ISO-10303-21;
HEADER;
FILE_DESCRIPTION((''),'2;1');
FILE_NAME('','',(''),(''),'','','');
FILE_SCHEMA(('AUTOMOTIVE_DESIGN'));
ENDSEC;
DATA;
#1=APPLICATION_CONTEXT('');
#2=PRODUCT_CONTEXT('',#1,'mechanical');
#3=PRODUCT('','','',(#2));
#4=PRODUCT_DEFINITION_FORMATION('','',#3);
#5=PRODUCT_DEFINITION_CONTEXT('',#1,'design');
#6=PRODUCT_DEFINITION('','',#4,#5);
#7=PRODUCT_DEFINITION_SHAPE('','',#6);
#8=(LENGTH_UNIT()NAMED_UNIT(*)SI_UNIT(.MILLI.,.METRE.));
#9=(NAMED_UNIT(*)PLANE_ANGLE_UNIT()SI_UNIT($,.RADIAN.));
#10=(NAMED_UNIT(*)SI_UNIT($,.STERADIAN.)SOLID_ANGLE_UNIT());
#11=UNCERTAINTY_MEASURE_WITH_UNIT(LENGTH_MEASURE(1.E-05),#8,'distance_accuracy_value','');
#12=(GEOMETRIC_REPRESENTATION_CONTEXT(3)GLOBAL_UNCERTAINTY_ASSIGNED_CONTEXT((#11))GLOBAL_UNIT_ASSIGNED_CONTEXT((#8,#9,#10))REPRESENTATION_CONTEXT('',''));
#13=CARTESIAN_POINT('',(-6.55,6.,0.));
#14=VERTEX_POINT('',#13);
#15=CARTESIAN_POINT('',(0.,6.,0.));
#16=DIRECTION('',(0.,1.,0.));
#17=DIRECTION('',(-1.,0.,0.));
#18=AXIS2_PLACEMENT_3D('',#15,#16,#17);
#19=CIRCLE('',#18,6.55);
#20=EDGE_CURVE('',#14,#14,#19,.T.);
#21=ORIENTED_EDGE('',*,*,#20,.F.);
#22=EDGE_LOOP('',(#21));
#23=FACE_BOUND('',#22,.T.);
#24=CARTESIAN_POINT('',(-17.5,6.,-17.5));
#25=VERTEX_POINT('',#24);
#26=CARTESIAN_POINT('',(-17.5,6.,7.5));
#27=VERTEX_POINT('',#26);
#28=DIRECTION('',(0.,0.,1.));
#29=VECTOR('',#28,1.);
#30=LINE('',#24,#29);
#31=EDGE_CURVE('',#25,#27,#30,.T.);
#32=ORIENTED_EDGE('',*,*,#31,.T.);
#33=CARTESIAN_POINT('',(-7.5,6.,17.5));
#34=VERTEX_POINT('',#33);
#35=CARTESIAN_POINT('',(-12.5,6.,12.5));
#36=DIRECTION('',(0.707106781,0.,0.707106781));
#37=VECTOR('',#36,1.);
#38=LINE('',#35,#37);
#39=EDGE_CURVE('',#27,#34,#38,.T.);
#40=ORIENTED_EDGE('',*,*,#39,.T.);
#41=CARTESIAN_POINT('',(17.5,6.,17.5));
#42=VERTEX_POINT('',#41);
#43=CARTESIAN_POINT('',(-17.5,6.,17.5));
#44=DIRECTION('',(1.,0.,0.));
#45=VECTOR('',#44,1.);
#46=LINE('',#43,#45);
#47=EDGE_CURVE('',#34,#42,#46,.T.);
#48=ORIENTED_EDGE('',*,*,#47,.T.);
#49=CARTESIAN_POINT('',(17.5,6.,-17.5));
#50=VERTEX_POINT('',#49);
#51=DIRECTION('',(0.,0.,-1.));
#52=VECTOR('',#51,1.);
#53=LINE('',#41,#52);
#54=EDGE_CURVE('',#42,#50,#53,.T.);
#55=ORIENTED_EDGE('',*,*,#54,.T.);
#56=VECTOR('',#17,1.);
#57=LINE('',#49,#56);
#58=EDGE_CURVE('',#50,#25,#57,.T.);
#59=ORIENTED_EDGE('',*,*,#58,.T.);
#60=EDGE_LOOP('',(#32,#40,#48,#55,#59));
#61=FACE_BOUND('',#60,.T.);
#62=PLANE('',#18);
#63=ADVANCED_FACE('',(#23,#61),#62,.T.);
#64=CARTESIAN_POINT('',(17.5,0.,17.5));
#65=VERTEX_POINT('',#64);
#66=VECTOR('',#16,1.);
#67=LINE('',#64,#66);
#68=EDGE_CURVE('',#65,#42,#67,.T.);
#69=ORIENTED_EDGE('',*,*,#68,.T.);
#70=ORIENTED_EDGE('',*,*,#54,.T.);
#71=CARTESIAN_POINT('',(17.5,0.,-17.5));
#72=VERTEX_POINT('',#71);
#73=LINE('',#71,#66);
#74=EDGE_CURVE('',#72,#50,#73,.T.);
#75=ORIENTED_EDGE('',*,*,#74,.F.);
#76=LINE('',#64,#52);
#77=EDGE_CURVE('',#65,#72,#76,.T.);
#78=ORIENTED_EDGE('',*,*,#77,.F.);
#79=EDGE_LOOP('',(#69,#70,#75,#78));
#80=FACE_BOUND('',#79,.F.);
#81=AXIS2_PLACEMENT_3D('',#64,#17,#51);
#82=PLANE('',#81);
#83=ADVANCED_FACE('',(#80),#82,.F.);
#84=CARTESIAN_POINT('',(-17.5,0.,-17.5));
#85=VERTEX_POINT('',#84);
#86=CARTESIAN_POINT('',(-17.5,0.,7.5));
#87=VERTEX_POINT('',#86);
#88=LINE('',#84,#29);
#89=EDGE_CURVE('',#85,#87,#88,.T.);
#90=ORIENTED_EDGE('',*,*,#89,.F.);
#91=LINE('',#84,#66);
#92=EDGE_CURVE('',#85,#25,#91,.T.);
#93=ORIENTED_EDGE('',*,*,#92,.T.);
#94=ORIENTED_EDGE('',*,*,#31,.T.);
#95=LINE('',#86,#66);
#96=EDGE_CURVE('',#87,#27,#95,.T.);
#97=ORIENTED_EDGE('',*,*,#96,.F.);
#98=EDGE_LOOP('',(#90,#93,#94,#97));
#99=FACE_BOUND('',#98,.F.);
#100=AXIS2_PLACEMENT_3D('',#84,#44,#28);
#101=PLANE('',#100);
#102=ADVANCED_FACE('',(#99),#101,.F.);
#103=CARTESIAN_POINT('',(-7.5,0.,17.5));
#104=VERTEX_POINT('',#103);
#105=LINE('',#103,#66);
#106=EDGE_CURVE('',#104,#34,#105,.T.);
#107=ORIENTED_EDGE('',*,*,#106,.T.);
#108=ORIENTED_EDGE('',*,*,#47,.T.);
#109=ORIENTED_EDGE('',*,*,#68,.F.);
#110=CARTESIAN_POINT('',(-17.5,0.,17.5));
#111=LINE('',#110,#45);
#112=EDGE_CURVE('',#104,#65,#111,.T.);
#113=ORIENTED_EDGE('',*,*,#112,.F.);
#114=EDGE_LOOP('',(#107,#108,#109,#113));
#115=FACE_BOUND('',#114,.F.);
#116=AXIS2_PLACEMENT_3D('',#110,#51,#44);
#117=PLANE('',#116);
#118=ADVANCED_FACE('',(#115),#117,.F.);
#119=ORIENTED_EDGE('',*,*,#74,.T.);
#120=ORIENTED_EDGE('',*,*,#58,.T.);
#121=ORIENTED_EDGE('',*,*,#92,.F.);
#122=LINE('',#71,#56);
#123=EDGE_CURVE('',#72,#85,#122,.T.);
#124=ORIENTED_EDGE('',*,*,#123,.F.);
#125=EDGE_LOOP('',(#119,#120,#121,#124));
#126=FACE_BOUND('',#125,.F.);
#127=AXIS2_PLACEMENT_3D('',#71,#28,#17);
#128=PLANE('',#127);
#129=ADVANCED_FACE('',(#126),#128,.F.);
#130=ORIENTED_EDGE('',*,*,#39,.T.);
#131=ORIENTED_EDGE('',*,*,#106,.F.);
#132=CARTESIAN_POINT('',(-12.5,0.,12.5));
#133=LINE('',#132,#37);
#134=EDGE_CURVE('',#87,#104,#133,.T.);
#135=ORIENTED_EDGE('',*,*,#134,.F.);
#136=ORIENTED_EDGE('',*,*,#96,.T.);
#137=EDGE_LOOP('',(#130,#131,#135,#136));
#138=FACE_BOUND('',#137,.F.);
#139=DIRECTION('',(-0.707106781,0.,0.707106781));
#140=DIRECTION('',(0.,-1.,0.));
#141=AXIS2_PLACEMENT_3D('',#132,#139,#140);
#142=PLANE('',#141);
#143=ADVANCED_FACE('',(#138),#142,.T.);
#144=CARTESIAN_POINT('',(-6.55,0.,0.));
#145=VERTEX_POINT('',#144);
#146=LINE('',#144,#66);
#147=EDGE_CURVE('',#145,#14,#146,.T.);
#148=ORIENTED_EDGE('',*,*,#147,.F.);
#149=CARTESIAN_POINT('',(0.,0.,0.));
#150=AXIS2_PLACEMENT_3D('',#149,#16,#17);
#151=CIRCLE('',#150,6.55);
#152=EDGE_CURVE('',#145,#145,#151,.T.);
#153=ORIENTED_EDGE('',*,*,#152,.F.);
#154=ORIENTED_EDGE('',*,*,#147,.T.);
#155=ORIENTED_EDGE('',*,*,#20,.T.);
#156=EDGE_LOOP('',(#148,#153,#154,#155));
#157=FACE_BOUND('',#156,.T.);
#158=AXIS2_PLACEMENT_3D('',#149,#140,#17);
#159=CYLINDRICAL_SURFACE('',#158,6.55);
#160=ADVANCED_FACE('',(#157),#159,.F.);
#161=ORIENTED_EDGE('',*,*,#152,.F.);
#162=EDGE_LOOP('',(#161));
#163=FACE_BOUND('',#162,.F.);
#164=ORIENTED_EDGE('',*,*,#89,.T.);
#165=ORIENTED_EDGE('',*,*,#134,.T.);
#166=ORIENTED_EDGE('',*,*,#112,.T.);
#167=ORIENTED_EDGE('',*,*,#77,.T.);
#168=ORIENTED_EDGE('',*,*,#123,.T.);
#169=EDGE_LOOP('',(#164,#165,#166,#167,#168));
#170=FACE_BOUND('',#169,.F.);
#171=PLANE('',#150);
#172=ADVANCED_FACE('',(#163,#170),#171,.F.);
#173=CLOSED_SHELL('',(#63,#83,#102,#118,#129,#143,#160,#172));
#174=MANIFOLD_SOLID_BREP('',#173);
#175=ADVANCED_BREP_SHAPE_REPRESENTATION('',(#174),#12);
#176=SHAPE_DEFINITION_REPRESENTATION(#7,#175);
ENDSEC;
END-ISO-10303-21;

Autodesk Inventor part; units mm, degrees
ref_plane "YZ Plane" through (0, 0, 0) normal (1, 0, 0) x (0, 1, 0)
ref_plane "XZ Plane" through (0, 0, 0) normal (0, 1, 0) x (-1, 0, 0)
ref_plane "XY Plane" through (0, 0, 0) normal (0, 0, 1) x (1, 0, 0)
sketch "Náčrt2" plane through (0, 0, 0) normal (0, 1, 0) x (-1, 0, 0)
  line L0 (17.5, 17.5) -> (-17.5, 17.5)
  line L1 (-17.5, 17.5) -> (-17.5, -17.5)
  line L2 (-17.5, -17.5) -> (17.5, -17.5)
  line L3 (17.5, -17.5) -> (17.5, 17.5)
  circle A0 centre (0, 0) radius 6.55
  point P0 (17.5, 0)
  point P1 (0, 17.5)
  dimension "d0" = 35
  dimension "d1" = 35
  dimension "d22" = 13.1
extrude "Vysunutí1" add sketch "Náčrt2" along normal blind 6
chamfer "Zkosení2" distance 10 angle 45 1 edges at (-17.5, 3, 17.5)
equation "\"PoloměrOhybu\" = Tloušťka"
equation "\"ŠířkaVýštipu\" = Tloušťka"
equation "\"HloubkaVýštipu\" = 0.5 * Tloušťka"
equation "\"VelikostRohovéhoVýštipu\" = 4 * Tloušťka"
equation "\"MinimálníZbytek\" = 2 * Tloušťka"
equation "\"PřechodovýPoloměr\" = PoloměrOhybu"
equation "\"VelikostJacobihoPoloměru\" = PoloměrOhybu"
equation "\"VelikostMezery\" = Tloušťka"
equation "\"Tloušťka\" = 6"
properties part number "DD_KVD_002_06" material "Nerezová ocel"
